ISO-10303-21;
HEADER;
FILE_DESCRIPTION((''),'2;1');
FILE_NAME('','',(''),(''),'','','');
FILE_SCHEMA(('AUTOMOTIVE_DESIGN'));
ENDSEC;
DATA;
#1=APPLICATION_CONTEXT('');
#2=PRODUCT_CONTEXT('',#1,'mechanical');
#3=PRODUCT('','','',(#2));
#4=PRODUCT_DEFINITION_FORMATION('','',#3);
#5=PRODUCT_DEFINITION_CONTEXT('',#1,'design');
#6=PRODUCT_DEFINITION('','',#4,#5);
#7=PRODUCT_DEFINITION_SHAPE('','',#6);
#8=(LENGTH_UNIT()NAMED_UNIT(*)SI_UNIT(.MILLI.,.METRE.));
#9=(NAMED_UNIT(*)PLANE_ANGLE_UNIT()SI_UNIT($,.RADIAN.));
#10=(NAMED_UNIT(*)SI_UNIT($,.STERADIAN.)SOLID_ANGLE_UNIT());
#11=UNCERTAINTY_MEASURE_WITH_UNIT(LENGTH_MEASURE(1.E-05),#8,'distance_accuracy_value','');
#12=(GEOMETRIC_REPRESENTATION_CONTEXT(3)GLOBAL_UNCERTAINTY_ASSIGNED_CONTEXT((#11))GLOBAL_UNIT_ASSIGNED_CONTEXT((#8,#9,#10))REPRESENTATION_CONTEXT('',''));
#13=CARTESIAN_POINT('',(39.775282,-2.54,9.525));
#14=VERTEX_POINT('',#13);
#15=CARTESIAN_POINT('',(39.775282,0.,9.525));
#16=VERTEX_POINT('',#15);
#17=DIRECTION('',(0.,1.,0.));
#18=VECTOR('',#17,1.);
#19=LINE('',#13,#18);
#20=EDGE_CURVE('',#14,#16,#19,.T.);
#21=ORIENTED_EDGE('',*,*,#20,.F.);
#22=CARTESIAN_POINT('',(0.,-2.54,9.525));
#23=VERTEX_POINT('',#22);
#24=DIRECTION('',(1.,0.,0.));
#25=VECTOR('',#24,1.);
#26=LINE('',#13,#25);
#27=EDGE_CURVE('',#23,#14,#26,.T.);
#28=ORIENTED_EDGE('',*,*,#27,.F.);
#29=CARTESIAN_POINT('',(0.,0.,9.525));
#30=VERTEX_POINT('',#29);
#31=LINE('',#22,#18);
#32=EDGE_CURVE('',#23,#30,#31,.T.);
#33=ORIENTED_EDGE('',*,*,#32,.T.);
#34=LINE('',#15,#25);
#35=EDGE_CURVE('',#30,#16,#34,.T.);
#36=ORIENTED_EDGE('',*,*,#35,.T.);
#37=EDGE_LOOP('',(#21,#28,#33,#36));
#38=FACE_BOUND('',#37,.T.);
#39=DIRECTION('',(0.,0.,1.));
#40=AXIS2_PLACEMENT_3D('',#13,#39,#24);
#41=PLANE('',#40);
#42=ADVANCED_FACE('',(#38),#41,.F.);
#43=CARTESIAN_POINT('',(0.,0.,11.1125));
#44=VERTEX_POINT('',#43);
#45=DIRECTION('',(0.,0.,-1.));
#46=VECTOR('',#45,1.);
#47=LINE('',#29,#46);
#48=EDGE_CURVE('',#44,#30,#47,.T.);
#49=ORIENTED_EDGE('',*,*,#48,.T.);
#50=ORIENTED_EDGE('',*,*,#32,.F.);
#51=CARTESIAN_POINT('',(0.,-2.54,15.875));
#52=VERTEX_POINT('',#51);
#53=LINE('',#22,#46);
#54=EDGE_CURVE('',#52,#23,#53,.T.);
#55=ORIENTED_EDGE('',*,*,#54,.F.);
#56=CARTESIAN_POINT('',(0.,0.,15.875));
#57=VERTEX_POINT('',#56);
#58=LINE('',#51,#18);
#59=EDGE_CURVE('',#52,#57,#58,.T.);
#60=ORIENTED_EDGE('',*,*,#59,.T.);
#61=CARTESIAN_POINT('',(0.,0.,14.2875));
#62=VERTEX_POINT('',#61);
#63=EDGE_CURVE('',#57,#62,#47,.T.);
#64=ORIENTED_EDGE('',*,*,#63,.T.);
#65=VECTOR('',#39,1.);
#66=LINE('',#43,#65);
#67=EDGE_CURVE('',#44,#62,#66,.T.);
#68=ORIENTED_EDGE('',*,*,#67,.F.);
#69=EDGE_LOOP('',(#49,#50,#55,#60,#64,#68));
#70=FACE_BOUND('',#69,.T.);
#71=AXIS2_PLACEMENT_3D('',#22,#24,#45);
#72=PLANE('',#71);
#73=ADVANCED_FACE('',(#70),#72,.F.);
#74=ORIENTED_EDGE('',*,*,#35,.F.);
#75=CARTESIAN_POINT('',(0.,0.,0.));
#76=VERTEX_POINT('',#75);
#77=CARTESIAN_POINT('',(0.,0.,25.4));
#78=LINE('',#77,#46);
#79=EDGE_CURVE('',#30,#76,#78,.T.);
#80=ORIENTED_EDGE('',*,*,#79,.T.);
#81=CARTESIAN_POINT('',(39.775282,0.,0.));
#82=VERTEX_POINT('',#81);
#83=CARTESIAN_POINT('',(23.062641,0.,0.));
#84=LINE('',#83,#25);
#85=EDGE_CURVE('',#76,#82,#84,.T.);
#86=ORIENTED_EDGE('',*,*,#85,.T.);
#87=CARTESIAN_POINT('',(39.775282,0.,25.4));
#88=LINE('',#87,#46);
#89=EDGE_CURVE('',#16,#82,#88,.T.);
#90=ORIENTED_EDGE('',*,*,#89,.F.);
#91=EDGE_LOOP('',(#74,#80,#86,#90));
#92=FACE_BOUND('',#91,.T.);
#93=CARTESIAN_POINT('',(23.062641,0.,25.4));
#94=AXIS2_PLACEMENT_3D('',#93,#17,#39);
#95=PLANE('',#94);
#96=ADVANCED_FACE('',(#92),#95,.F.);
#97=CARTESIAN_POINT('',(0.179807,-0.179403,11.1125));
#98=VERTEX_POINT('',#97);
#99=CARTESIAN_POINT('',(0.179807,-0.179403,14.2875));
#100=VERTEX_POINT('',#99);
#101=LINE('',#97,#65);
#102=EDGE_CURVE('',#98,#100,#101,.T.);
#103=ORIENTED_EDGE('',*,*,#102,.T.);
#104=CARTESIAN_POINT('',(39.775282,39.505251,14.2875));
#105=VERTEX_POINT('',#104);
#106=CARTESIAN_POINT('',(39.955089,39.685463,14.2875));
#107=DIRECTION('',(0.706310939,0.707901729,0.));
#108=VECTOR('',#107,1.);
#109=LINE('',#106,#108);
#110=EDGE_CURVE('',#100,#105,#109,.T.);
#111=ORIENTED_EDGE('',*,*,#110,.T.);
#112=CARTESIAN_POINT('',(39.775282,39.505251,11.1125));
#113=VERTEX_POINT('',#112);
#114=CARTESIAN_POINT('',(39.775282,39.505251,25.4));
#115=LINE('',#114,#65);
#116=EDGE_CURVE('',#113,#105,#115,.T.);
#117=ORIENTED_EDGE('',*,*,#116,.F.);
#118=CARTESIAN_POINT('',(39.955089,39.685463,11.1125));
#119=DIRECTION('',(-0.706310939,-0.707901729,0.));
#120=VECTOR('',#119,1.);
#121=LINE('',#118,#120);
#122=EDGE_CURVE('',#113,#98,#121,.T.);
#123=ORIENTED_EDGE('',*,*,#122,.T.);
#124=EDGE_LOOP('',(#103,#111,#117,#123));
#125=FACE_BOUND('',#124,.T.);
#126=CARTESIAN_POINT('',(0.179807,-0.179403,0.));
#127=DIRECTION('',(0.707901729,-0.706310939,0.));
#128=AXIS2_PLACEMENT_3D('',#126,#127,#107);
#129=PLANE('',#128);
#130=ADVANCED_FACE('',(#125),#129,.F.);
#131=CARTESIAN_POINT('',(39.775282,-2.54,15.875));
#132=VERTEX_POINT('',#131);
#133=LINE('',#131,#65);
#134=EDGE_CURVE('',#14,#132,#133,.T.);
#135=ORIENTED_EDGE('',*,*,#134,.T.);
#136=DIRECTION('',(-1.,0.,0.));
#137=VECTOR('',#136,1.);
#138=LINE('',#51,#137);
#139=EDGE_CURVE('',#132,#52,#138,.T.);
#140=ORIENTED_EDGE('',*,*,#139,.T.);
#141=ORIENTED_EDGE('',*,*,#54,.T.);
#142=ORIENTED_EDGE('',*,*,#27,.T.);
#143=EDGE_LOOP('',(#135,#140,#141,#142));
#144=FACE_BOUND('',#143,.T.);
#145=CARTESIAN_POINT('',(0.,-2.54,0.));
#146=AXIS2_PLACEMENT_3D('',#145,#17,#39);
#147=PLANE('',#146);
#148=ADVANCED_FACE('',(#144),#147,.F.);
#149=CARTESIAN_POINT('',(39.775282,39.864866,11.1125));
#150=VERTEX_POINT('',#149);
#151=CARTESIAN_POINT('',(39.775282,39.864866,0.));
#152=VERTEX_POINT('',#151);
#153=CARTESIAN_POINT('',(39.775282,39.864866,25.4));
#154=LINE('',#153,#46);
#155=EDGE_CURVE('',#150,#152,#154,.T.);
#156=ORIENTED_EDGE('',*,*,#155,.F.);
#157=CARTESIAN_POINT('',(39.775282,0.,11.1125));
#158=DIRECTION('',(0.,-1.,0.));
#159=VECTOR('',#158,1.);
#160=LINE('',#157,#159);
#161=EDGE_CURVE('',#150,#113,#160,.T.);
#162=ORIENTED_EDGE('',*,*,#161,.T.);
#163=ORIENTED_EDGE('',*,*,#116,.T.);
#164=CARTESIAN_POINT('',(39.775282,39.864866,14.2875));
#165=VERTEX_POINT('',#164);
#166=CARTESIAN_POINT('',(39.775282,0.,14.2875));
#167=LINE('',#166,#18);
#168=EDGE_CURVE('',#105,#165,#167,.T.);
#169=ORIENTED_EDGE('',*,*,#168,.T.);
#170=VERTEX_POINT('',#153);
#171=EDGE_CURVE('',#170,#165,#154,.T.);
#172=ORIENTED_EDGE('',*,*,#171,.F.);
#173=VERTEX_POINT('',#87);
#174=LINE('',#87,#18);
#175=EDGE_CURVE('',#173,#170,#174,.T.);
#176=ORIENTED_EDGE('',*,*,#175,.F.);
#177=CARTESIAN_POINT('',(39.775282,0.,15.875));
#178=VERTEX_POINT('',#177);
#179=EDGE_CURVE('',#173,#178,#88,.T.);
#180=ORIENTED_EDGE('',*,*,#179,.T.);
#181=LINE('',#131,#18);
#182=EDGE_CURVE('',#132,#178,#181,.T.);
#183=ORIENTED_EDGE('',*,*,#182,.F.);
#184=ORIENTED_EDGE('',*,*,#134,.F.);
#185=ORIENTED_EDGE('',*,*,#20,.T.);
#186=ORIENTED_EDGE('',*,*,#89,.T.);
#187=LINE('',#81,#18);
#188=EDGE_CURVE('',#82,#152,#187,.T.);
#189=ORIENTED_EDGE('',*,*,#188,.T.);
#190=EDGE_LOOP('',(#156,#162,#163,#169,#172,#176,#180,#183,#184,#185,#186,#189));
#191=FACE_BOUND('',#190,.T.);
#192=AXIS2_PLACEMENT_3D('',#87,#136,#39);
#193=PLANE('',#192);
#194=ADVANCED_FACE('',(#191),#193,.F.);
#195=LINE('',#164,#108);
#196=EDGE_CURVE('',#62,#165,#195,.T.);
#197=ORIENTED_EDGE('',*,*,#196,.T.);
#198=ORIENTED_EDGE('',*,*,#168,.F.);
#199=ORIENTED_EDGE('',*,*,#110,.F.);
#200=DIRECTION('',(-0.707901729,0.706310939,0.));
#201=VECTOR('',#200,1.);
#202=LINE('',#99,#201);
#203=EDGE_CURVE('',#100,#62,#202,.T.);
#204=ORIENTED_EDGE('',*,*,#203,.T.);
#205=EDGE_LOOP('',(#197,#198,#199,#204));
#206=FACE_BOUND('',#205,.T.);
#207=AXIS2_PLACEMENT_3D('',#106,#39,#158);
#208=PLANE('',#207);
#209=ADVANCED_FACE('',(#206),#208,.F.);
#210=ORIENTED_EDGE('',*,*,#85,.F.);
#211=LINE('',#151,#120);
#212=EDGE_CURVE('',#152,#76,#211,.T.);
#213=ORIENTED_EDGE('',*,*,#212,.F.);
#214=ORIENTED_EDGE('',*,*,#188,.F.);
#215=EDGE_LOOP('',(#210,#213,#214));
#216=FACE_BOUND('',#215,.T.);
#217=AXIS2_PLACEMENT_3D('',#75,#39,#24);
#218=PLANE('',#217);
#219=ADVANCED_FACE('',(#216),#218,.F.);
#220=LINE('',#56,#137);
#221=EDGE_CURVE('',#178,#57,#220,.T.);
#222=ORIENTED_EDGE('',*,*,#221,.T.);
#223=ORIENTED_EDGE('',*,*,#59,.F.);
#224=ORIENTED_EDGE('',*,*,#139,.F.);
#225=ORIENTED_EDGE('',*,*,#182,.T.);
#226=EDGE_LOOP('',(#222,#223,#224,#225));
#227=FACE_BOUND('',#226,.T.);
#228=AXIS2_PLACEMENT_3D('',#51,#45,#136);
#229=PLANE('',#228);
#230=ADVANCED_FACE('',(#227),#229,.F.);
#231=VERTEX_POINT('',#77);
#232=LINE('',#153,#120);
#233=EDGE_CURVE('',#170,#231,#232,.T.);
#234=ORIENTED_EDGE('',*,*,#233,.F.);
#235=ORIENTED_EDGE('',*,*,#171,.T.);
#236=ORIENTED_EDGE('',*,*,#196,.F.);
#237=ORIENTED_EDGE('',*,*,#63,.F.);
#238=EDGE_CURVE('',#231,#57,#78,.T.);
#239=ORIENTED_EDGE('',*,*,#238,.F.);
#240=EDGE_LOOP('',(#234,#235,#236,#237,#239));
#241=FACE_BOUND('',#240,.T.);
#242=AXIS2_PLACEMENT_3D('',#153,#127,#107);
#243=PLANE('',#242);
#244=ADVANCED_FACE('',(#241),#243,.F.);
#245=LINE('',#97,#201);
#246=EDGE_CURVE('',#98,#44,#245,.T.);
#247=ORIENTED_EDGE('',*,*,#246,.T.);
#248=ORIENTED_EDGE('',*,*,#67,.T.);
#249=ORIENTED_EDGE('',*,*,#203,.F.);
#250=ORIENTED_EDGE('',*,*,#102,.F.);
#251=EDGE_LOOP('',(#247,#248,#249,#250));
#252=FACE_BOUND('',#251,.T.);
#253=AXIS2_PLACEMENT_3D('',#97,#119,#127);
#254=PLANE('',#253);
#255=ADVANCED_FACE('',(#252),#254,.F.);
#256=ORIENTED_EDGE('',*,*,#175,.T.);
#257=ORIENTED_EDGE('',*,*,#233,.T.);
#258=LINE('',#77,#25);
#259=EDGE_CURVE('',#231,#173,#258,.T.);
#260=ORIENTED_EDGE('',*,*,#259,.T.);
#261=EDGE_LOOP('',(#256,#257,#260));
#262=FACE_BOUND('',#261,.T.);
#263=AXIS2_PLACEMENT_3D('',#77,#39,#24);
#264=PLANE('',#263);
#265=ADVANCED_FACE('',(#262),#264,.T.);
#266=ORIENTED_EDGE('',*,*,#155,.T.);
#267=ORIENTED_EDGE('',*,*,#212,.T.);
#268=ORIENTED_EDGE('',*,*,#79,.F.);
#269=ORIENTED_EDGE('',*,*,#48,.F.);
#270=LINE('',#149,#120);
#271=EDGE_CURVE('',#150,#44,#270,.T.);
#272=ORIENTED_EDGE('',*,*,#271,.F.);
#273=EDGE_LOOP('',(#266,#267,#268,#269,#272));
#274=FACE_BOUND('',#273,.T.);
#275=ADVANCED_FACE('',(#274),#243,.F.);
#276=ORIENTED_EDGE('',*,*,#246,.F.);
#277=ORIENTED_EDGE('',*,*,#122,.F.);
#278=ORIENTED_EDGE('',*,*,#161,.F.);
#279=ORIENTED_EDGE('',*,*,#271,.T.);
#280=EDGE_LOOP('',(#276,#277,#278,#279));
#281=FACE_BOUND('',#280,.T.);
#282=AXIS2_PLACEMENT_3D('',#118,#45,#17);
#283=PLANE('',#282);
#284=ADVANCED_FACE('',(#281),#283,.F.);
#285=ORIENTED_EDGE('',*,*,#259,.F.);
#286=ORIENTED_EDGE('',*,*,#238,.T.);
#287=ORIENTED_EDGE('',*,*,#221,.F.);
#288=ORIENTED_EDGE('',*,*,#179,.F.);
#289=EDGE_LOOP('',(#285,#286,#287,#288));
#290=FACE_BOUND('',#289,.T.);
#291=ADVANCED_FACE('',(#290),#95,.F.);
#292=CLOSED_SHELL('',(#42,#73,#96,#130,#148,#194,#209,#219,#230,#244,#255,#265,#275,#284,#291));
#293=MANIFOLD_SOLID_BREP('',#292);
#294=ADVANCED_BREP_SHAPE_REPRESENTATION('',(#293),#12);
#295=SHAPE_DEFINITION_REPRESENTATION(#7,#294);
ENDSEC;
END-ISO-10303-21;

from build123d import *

# Parameters (mm, degrees)
BOSS_EXTRUDE1_DEPTH = 25.4
SKETCH3_W           = 39.775281732
SKETCH3_H           = 6.35
BOSS_EXTRUDE2_DEPTH = 2.54
SKETCH4_W           = 3.175
SKETCH4_H           = 56.314123931
CUT_EXTRUDE1_DEPTH  = 0.254


with BuildPart() as part:
    # Sketch1 → Boss-Extrude1 (new body)
    with BuildSketch(Plane.XY):
        Polygon((0, 0), (16.712640866, 0), (23.062640866, 0), (39.775281732, 0), (39.775281732, 39.8648657), align=None)
    extrude(amount=BOSS_EXTRUDE1_DEPTH)

    # Sketch3 → Boss-Extrude2 (add)
    with BuildSketch(Plane.XZ):
        with Locations((19.887640866, 12.7)):
            Rectangle(SKETCH3_W, SKETCH3_H)
    extrude(amount=BOSS_EXTRUDE2_DEPTH)

    # Sketch4 → Cut-Extrude1 (cut)
    with BuildSketch(Plane(origin=(0, 0, 0), x_dir=(0, 0, 1), z_dir=(-0.7079017290339694, 0.706310938631646, 0))):
        with Locations((12.7, 28.157061966)):
            Rectangle(SKETCH4_W, SKETCH4_H)
    extrude(amount=-CUT_EXTRUDE1_DEPTH, mode=Mode.SUBTRACT)


solid = part.part
